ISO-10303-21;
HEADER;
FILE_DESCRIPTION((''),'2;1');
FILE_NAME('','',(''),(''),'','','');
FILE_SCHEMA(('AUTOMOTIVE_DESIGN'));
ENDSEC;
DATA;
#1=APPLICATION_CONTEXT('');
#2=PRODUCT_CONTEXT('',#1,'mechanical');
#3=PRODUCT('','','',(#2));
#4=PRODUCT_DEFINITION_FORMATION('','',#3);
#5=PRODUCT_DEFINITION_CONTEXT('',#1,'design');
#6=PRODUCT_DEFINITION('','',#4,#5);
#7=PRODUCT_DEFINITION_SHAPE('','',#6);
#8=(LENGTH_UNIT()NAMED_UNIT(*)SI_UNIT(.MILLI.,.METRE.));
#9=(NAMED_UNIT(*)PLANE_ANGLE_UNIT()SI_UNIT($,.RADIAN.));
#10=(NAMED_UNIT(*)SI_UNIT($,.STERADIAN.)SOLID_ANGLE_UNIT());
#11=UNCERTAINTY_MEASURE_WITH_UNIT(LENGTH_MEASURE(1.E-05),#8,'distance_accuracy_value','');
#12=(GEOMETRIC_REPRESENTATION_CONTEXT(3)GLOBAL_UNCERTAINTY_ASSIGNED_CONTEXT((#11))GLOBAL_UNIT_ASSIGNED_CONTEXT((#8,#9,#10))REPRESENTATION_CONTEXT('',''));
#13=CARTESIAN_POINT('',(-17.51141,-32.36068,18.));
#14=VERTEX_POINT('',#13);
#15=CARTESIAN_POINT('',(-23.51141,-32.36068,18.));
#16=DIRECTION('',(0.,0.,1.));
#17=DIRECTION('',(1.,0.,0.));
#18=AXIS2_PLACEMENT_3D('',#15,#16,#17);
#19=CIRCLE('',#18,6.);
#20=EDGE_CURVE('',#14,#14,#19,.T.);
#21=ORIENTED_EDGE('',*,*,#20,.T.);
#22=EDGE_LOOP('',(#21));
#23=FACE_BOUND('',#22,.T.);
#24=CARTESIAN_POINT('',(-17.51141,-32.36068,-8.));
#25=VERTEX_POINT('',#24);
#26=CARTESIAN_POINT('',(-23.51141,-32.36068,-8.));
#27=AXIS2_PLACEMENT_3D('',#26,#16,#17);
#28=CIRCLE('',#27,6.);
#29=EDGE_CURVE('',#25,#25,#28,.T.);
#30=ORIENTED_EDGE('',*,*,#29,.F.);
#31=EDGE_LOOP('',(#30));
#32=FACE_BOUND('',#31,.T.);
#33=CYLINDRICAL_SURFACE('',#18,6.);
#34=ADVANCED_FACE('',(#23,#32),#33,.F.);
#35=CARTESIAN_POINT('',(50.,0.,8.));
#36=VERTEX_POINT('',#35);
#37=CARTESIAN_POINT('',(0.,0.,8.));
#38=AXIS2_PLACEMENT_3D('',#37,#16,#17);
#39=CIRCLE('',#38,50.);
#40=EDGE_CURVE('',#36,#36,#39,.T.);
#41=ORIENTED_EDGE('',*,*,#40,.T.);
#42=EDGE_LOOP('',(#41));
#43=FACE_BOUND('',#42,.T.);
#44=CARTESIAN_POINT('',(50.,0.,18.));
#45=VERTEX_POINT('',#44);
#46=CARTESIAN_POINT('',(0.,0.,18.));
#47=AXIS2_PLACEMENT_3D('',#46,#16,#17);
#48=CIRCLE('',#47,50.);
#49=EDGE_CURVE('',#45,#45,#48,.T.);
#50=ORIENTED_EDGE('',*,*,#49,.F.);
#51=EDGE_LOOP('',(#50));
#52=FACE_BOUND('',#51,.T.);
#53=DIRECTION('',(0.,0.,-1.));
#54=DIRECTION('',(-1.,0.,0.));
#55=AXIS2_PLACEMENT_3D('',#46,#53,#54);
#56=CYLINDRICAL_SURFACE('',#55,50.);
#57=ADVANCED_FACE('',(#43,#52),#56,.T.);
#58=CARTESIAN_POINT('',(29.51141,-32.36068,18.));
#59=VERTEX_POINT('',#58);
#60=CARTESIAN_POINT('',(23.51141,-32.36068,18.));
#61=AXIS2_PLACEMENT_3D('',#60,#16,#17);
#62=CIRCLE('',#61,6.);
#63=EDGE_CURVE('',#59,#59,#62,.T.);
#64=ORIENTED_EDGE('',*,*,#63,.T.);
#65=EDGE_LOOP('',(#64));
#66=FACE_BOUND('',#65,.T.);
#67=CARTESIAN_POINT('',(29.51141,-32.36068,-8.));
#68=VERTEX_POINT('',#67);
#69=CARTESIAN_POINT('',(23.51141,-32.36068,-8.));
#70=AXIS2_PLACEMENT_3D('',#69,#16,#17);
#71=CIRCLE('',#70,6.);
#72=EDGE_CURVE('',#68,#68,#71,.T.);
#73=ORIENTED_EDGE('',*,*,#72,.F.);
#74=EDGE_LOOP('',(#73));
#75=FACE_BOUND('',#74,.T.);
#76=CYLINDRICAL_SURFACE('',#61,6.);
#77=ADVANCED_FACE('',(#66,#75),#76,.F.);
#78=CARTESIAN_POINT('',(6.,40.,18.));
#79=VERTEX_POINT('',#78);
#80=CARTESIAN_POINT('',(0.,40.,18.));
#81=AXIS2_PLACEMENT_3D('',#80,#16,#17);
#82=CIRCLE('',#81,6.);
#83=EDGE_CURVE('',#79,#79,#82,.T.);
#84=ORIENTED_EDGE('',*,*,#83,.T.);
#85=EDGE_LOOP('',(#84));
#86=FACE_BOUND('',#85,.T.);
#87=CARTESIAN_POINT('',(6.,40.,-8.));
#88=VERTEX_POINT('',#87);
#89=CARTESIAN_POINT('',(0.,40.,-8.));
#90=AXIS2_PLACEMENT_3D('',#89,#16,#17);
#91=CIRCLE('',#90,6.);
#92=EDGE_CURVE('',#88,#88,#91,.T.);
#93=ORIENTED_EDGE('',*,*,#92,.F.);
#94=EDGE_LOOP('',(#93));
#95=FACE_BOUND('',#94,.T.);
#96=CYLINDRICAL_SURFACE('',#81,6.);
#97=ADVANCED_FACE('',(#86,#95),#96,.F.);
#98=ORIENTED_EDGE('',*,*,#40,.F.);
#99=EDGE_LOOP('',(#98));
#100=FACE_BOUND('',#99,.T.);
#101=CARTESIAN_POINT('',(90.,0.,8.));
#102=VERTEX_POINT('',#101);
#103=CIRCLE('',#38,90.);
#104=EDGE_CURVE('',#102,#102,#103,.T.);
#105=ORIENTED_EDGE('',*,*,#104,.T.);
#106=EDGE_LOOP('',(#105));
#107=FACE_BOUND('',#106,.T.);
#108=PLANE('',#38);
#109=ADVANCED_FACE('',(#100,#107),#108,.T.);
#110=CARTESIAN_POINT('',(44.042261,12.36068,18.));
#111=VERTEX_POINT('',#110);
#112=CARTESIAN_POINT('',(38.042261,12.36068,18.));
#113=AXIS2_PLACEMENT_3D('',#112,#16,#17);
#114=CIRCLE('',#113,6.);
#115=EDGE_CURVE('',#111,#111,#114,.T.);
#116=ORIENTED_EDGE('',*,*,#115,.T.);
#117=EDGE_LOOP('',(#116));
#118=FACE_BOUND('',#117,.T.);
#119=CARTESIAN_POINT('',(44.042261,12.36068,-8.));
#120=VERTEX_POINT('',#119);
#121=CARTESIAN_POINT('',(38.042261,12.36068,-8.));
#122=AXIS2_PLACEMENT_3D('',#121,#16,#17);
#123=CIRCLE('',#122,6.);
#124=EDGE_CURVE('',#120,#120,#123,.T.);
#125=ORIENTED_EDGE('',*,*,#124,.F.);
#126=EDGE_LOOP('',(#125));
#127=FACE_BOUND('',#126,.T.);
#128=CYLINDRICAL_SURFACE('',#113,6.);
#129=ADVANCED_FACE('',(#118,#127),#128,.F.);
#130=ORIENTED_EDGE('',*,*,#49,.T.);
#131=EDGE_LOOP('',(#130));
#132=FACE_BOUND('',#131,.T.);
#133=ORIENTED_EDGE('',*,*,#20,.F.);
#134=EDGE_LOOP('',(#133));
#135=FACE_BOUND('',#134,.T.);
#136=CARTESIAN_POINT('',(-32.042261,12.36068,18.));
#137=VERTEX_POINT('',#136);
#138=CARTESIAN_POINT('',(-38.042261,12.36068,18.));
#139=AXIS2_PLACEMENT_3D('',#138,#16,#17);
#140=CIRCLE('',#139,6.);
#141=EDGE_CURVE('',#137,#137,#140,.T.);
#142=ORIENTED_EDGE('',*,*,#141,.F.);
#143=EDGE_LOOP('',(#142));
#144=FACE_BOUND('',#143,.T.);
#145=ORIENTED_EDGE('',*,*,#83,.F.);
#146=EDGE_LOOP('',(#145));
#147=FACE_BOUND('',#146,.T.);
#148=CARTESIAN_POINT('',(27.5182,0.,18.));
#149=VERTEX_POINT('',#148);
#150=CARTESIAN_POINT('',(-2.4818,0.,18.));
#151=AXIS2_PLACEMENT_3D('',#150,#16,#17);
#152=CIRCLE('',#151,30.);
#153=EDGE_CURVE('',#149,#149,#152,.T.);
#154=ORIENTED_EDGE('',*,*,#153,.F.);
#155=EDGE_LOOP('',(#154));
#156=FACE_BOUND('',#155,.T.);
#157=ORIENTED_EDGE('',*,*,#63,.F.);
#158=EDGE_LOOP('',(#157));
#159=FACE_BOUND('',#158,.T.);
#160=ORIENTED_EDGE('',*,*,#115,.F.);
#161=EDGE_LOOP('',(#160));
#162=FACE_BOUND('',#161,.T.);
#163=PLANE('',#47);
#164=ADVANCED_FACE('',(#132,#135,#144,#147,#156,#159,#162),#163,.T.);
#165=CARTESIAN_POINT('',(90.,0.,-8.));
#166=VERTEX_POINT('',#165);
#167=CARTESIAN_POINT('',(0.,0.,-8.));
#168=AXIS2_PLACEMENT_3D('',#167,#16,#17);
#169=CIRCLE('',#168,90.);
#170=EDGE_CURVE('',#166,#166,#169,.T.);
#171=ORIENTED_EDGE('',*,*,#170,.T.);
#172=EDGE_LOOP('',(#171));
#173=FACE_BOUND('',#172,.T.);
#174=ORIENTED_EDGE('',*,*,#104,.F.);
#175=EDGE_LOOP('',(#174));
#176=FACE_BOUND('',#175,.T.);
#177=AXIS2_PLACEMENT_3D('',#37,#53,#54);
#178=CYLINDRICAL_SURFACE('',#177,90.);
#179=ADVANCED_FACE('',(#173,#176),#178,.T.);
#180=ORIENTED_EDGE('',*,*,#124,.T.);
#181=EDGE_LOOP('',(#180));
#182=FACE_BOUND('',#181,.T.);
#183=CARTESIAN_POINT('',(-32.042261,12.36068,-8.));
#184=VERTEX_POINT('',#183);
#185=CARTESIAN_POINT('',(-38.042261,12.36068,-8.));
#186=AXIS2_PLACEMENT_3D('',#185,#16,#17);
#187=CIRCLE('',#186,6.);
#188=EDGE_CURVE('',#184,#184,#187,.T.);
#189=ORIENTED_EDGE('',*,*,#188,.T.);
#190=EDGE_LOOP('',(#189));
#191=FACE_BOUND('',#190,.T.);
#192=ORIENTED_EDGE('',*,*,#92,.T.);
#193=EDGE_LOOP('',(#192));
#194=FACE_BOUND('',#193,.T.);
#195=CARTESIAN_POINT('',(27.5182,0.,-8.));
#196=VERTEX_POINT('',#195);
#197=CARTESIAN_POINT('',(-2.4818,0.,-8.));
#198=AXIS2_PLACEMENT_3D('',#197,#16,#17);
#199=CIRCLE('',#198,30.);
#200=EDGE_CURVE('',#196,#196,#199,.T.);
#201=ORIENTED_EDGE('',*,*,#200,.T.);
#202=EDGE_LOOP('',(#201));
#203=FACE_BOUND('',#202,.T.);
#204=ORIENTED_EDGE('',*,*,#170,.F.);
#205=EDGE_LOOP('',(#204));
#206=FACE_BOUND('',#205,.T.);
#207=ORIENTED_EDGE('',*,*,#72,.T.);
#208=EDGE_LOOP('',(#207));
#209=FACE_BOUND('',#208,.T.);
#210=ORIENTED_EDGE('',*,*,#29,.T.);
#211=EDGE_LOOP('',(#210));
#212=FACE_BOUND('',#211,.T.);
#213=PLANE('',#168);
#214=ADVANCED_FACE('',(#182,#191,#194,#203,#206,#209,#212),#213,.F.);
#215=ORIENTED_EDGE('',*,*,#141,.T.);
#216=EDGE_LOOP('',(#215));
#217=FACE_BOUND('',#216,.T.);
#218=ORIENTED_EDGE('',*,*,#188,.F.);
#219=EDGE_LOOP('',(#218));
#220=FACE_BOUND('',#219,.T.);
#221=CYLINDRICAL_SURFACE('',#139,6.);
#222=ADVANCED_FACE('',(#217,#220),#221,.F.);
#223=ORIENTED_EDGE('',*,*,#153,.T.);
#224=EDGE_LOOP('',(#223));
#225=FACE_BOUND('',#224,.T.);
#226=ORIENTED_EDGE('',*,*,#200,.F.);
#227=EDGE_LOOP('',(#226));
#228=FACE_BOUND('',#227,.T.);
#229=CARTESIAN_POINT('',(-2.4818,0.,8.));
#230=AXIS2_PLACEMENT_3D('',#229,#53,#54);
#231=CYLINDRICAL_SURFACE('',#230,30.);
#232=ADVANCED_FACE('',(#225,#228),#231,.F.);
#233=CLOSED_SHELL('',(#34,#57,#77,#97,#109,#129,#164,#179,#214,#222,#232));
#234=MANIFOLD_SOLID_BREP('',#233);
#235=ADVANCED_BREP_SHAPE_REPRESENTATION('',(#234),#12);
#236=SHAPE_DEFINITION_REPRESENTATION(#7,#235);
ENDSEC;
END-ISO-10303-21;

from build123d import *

# Parameters (mm, degrees)
SKETCH1_R                  = 90
SKETCH1_R_2                = 30
BOSS_EXTRUDE1_DEPTH        = 8
SKETCH2_R                  = 50
SKETCH2_R_2                = 30
BOSS_EXTRUDE2_DEPTH        = 10
F_12_0_12_DIAMETER_HOLE1_D = 12


with BuildPart() as part:
    # Sketch1 → Boss-Extrude1 (new, symmetric)
    with BuildSketch(Plane.XY):
        Circle(SKETCH1_R)
        with Locations((-2.481799725, 0)):
            Circle(SKETCH1_R_2, mode=Mode.SUBTRACT)
    extrude(amount=BOSS_EXTRUDE1_DEPTH, both=True)

    # Sketch2 → Boss-Extrude2 (add)
    with BuildSketch(Plane.XY.offset(8)):
        Circle(SKETCH2_R)
        with Locations((-2.481799725, 0)):
            Circle(SKETCH2_R_2, mode=Mode.SUBTRACT)
    extrude(amount=BOSS_EXTRUDE2_DEPTH)

    # Ø12.0 (12) Diameter Hole1 (through all)
    with Locations(Plane(origin=(0, 40, 18), x_dir=(1, 0, 0), z_dir=(0, 0, 1))):
        with Locations((0, 0), (-38.042260652, -27.639320225), (-23.511410092, -72.360679775), (23.511410092, -72.360679775), (38.042260652, -27.639320225)):
            Hole(F_12_0_12_DIAMETER_HOLE1_D / 2)


solid = part.part
